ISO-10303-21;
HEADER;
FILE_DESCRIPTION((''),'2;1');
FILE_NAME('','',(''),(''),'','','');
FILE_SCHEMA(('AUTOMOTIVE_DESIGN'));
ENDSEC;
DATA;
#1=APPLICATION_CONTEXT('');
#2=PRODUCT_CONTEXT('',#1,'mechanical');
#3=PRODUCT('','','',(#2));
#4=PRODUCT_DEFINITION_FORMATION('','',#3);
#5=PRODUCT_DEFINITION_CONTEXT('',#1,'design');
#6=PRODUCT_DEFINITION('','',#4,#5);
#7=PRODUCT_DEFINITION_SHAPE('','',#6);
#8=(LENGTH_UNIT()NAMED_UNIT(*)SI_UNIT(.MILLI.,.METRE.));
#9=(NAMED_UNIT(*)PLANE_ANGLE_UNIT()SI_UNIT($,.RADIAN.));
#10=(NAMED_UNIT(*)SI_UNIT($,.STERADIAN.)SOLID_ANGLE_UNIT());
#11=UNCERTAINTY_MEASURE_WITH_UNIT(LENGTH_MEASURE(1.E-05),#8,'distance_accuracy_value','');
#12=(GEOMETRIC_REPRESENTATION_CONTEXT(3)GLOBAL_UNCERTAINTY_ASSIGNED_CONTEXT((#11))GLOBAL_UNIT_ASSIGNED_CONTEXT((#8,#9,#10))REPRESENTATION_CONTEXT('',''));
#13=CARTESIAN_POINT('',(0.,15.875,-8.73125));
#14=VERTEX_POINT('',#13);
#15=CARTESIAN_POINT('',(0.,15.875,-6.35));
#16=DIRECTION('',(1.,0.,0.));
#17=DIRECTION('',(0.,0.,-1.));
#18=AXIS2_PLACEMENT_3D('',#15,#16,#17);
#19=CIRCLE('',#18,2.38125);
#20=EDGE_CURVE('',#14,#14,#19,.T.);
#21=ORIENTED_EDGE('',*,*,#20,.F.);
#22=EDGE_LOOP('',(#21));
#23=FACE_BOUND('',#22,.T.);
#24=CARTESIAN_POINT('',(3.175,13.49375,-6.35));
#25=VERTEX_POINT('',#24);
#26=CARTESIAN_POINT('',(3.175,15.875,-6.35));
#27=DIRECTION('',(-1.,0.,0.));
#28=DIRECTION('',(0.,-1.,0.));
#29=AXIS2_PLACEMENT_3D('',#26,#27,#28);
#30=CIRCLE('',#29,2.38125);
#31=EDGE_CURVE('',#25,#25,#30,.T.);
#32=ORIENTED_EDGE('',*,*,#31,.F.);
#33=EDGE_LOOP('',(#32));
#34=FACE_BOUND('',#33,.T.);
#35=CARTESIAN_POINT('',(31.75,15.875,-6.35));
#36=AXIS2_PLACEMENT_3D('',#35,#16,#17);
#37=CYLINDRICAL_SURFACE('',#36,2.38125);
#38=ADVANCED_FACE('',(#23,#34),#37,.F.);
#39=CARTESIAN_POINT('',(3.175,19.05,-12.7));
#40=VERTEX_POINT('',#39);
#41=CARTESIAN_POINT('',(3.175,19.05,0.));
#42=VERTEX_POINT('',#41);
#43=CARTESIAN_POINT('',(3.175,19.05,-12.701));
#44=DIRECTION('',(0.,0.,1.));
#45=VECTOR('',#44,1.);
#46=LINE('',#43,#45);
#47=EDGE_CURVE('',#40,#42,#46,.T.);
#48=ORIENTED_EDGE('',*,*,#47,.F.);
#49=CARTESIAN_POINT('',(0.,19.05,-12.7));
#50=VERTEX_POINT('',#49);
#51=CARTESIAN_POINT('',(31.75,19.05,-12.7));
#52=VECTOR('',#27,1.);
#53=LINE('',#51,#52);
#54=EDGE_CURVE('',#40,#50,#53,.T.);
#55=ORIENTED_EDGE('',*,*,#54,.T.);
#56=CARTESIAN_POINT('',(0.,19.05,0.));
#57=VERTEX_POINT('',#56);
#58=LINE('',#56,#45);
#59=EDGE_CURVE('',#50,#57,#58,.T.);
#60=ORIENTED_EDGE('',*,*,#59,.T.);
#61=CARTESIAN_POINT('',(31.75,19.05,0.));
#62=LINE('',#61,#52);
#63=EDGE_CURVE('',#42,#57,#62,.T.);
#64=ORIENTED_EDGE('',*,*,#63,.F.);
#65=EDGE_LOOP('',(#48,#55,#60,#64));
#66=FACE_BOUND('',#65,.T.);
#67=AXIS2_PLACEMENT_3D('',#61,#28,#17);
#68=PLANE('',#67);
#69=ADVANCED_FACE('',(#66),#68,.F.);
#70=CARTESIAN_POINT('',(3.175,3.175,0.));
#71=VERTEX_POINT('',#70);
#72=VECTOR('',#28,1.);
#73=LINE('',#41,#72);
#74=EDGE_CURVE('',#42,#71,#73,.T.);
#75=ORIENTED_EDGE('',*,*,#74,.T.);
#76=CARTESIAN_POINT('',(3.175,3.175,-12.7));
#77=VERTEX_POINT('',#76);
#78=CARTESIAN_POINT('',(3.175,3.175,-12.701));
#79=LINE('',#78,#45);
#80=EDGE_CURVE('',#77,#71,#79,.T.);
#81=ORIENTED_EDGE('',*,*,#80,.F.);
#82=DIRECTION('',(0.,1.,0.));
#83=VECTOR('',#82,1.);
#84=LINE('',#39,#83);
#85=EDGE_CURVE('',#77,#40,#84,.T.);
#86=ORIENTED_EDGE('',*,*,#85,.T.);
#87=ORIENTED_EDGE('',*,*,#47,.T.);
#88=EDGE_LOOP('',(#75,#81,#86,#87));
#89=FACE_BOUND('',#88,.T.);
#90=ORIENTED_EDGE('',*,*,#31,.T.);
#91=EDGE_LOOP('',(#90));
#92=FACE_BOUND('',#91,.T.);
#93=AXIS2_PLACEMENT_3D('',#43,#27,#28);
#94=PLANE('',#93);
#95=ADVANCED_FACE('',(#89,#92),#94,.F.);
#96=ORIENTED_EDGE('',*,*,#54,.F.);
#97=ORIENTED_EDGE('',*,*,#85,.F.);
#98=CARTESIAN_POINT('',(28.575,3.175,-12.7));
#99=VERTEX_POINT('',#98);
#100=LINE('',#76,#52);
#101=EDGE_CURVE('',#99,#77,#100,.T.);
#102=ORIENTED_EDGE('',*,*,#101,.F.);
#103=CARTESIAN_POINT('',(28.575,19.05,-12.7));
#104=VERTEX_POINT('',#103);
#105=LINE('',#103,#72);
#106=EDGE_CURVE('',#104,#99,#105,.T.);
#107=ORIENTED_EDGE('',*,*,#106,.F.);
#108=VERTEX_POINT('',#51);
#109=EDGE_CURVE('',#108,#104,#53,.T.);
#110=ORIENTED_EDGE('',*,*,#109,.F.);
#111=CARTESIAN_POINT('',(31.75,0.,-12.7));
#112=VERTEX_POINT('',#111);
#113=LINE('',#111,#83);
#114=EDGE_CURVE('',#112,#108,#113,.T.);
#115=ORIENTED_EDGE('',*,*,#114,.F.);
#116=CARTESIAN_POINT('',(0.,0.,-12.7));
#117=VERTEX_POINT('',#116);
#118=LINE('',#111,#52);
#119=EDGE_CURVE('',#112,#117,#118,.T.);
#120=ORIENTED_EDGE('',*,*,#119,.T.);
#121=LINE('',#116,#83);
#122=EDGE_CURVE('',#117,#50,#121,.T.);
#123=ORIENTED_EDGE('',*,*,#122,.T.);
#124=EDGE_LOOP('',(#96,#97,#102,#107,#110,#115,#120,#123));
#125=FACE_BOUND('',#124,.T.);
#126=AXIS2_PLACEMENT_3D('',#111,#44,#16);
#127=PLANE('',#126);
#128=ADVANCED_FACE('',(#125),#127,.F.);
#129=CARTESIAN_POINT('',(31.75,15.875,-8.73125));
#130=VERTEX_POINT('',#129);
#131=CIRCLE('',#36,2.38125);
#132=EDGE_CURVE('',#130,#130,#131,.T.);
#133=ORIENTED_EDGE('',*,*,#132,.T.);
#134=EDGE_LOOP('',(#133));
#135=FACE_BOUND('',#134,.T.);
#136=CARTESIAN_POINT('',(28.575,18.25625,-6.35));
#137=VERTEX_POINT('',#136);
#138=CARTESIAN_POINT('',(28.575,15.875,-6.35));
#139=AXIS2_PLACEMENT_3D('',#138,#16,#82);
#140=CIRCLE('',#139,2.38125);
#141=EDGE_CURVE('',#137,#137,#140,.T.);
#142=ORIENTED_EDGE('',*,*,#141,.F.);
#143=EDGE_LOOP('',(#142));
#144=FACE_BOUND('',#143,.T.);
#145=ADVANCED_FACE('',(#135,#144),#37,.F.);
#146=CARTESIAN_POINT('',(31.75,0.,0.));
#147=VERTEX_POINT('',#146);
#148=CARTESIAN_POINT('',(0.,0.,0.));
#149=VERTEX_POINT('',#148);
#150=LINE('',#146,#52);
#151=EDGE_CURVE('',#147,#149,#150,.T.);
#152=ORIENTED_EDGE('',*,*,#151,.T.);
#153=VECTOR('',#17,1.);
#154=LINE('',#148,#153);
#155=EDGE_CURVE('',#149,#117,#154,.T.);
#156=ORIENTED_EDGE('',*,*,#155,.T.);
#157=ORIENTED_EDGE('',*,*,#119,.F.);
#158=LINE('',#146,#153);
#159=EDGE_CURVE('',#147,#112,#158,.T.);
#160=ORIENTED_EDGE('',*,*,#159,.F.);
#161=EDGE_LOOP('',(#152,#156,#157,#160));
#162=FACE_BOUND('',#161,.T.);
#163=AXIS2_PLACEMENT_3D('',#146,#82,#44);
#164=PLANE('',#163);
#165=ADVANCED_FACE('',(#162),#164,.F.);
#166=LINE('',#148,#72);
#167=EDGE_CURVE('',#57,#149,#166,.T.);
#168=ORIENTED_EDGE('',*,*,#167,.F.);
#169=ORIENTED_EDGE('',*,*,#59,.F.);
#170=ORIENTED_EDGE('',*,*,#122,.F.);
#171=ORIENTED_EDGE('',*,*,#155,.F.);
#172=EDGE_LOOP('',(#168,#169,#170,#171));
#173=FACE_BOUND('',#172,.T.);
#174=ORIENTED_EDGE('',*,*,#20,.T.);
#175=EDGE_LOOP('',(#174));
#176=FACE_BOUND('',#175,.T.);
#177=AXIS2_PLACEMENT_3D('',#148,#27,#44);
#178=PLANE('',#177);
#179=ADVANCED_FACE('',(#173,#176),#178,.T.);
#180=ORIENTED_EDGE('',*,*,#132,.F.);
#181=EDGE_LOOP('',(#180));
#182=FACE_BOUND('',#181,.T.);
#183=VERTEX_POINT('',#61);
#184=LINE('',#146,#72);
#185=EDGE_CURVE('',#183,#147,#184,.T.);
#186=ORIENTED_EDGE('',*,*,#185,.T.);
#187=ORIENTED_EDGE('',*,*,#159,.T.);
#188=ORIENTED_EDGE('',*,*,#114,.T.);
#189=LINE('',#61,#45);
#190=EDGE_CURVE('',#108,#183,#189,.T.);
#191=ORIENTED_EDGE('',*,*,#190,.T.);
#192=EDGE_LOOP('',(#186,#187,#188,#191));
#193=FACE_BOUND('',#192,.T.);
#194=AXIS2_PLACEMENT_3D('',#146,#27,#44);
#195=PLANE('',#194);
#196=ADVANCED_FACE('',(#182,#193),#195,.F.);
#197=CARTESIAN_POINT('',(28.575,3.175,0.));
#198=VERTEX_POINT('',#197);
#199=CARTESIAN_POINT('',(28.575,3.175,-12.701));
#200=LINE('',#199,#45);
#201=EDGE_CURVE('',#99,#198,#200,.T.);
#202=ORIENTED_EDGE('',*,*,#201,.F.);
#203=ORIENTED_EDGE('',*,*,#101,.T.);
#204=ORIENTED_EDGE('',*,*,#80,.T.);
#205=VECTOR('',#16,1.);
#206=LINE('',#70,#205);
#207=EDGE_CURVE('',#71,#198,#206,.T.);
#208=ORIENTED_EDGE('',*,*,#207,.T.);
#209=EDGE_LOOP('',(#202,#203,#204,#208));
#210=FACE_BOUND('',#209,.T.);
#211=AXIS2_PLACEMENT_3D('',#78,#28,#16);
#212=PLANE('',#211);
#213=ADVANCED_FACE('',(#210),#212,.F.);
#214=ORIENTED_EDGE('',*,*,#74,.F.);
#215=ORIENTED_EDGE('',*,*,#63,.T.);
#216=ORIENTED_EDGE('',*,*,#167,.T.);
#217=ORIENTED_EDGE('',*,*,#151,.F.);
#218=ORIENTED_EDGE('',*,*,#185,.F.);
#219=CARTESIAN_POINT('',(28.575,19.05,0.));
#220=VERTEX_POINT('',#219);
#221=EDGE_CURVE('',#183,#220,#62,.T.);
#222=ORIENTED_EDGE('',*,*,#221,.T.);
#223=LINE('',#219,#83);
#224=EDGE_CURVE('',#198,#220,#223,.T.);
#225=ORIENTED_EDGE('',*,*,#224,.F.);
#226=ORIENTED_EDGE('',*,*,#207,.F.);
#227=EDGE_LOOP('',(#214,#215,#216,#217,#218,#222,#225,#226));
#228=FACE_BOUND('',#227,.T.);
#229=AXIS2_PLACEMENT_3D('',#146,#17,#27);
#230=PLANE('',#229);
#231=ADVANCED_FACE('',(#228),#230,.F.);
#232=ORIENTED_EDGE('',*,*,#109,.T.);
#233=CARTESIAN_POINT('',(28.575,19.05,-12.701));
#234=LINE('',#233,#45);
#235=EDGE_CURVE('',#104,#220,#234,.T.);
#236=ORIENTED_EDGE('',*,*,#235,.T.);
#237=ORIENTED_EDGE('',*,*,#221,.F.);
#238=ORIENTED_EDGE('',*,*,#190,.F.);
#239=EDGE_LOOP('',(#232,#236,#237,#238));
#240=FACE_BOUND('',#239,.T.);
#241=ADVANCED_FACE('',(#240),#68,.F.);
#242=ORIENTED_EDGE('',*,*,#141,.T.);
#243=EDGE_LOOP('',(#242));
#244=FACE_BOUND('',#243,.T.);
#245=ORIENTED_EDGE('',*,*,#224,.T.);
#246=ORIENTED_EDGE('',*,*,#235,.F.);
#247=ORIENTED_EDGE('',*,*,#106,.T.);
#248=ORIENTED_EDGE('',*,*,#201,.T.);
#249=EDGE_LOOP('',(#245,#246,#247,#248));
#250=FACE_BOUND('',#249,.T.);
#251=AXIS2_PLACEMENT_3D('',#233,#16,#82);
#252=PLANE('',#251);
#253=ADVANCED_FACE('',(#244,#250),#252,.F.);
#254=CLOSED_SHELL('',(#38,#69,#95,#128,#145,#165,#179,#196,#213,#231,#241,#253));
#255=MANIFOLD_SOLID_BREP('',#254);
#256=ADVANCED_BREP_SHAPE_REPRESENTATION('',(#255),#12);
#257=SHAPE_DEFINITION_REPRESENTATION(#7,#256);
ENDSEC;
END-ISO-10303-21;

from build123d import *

# Parameters (mm, degrees)
SKETCH1_W                      = 12.7
SKETCH1_H                      = 19.05
BOSS_EXTRUDE1_DEPTH            = 31.75
CUT_EXTRUDE1_REACH             = 41.144
SKETCH2_W                      = 25.4
SKETCH2_H                      = 15.875
F_3_16_0_1875_DIAMETER_HOLE1_D = 4.7625


with BuildPart() as part:
    # Sketch1 → Boss-Extrude1 (new body)
    with BuildSketch(Plane(origin=(0, 0, 0), x_dir=(0, 0, -1), z_dir=(1, 0, 0))):
        with Locations((6.35, 9.525)):
            Rectangle(SKETCH1_W, SKETCH1_H)
    extrude(amount=BOSS_EXTRUDE1_DEPTH)

    # Sketch2 → Cut-Extrude1 (cut, up to next)
    with BuildSketch(Plane.XY, mode=Mode.PRIVATE) as cut_extrude1_sk1:
        with Locations((15.875, 11.1125)):
            Rectangle(SKETCH2_W, SKETCH2_H)
    cut_extrude1_tool1 = extrude(cut_extrude1_sk1.sketch, amount=-CUT_EXTRUDE1_REACH, mode=Mode.PRIVATE) & part.part
    add(cut_extrude1_tool1.solids().sort_by_distance((15.875, 11.1125, 0))[0], mode=Mode.SUBTRACT)

    # 3/16 (0.1875) Diameter Hole1 (through all)
    with Locations(Plane(origin=(31.75, 0, 0), x_dir=(0, 0, -1), z_dir=(1, 0, 0))):
        with Locations((6.35, 15.875)):
            Hole(F_3_16_0_1875_DIAMETER_HOLE1_D / 2)


solid = part.part
